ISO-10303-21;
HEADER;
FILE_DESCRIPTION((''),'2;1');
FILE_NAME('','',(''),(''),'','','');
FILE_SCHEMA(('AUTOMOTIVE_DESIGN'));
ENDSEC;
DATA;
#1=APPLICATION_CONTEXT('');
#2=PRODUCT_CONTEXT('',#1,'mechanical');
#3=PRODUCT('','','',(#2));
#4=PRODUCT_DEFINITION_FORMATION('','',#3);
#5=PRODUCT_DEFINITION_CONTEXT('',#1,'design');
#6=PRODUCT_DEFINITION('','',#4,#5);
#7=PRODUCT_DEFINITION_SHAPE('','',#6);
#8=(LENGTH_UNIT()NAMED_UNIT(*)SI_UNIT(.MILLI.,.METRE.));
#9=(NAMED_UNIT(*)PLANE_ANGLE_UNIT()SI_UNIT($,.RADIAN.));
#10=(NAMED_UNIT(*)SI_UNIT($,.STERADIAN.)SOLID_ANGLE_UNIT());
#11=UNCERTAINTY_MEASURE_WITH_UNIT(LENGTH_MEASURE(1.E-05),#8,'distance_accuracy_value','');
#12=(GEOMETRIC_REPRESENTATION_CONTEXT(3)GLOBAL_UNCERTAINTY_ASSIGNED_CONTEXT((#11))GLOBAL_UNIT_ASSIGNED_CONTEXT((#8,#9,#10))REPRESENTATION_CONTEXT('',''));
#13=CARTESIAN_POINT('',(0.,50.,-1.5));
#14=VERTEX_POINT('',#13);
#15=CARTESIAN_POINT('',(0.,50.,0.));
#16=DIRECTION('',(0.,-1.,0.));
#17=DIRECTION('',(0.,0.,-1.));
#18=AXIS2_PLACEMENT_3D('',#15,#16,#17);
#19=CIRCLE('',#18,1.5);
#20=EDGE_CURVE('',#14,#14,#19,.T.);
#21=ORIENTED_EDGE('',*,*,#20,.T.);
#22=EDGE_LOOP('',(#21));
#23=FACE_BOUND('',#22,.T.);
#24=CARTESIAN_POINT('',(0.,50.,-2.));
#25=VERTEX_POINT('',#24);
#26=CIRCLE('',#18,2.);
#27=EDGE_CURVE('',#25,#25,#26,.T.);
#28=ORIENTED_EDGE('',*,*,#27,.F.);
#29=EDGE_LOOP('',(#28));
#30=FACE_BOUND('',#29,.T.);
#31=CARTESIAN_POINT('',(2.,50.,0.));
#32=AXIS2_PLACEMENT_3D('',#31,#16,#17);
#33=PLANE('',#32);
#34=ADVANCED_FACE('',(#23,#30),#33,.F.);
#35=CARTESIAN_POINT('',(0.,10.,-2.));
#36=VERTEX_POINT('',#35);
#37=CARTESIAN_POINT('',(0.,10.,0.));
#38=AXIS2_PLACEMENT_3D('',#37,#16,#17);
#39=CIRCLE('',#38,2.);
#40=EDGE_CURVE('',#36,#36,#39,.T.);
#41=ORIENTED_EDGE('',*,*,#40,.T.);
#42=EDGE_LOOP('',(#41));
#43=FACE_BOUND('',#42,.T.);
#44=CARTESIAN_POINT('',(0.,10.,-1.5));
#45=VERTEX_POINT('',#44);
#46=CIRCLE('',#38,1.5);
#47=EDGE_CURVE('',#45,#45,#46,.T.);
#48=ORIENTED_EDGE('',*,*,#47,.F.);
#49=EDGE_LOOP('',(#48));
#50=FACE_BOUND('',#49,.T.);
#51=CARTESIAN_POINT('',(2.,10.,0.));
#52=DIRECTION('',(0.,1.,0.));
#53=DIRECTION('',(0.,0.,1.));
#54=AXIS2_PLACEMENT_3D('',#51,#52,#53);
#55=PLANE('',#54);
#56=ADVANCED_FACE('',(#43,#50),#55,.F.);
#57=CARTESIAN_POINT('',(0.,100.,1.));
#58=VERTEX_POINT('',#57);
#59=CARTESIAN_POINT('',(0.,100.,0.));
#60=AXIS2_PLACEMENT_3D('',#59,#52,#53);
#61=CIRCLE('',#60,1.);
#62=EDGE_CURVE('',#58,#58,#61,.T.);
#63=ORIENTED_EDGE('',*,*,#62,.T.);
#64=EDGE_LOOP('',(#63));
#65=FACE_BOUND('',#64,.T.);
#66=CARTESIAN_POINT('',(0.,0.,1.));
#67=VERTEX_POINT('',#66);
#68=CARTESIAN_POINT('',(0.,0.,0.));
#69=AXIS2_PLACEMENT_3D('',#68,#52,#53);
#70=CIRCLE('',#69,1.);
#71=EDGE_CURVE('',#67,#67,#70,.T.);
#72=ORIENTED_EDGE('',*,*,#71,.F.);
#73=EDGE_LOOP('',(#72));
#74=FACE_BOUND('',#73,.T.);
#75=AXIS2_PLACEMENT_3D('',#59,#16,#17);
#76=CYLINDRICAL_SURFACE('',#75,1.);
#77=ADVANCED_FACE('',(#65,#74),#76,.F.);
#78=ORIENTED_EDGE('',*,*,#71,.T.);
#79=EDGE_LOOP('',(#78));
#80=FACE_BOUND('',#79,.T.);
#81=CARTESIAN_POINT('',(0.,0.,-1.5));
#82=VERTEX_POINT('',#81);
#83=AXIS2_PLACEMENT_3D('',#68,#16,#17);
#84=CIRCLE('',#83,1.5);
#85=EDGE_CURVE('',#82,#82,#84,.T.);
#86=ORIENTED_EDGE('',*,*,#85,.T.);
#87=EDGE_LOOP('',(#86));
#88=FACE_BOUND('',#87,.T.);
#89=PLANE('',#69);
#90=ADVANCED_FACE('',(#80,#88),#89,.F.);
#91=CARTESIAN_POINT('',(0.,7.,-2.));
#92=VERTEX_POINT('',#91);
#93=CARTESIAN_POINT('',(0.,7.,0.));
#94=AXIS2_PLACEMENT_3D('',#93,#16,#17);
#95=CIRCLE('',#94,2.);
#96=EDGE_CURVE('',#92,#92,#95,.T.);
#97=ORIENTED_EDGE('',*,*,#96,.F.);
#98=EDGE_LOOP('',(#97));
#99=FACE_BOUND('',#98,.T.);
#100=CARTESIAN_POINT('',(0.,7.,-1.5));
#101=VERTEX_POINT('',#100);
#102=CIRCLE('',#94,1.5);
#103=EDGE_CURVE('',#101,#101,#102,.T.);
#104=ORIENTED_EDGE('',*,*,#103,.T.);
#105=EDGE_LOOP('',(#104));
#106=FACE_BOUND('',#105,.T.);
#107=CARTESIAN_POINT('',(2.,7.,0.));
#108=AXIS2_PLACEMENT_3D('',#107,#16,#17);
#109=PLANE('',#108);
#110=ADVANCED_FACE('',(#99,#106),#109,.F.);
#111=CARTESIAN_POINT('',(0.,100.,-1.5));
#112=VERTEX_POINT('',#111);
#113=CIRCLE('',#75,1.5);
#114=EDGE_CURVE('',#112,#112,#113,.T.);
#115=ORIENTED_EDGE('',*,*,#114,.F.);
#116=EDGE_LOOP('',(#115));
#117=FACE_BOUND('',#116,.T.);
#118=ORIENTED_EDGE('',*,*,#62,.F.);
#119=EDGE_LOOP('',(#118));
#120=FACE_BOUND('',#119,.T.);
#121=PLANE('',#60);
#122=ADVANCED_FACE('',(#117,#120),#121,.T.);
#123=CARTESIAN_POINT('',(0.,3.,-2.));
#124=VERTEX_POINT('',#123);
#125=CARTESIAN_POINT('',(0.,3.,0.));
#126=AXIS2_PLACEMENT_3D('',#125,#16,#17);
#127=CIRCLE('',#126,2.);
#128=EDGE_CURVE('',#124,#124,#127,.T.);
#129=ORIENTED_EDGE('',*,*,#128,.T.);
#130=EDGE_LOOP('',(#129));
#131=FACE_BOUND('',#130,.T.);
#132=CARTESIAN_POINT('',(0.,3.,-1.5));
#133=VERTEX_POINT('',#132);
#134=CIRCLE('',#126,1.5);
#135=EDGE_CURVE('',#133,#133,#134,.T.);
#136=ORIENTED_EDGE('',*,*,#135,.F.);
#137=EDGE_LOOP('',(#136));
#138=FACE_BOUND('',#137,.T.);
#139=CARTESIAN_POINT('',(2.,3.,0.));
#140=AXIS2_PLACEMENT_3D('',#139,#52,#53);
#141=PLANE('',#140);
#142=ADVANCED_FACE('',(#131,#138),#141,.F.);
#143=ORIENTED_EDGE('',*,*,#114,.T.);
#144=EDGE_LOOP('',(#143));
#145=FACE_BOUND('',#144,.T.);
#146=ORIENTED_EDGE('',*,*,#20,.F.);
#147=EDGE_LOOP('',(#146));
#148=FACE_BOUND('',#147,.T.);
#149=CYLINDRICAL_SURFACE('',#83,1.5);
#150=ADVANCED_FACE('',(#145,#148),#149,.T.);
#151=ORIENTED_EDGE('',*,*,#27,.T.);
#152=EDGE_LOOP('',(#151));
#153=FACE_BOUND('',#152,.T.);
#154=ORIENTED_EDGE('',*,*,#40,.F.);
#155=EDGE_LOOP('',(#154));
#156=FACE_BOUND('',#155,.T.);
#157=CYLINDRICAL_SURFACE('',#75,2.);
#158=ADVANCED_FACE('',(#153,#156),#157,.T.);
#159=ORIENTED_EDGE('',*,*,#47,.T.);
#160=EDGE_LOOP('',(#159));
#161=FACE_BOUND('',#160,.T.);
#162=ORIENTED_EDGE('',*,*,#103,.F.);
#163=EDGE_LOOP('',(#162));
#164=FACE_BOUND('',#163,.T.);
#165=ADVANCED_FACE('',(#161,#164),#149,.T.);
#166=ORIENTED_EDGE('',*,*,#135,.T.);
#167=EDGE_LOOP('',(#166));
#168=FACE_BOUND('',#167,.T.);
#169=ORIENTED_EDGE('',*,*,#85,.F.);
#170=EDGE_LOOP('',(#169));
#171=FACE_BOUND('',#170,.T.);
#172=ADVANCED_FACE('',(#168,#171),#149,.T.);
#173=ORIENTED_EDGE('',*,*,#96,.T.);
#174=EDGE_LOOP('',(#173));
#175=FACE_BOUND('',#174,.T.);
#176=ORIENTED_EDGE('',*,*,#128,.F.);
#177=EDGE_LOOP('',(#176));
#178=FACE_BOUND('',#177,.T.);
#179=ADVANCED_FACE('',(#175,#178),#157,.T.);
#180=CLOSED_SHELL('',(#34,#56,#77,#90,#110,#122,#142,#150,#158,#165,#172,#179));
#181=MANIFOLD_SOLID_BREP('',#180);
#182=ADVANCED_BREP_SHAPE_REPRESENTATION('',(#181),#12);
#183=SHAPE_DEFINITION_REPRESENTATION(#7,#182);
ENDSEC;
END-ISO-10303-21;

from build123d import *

# Parameters (mm, degrees)
SKETCH_1_R      = 2
SKETCH_1_R_2    = 1
EXTRUDE_1_DEPTH = 100
SKETCH_2_W      = 0.5
SKETCH_2_H      = 3
SKETCH_4_W      = 0.5
SKETCH_4_H      = 50


with BuildPart() as part:
    # Эскиз1 → Бобышка-Вытянуть1 (new body)
    with BuildSketch(Plane(origin=(0, 0, 0), x_dir=(1, 0, 0), z_dir=(0, 1, 0))):
        Circle(SKETCH_1_R)
        Circle(SKETCH_1_R_2, mode=Mode.SUBTRACT)
    extrude(amount=EXTRUDE_1_DEPTH)

    # Эскиз2 → Вырез-Повернуть1 (revolve, cut)
    with BuildSketch(Plane.XY):
        with Locations((1.75, 1.5)):
            Rectangle(SKETCH_2_W, SKETCH_2_H)
        with Locations((1.75, 8.5)):
            Rectangle(SKETCH_2_W, SKETCH_2_H)
    revolve(axis=Axis((0, 0, 0), (0, 1, 0)), mode=Mode.SUBTRACT)

    # Эскиз4 → Вырез-Повернуть2 (revolve, cut)
    with BuildSketch(Plane.XY):
        with Locations((1.75, 75)):
            Rectangle(SKETCH_4_W, SKETCH_4_H)
    revolve(axis=Axis((0, 0, 0), (0, 1, 0)), mode=Mode.SUBTRACT)


solid = part.part
